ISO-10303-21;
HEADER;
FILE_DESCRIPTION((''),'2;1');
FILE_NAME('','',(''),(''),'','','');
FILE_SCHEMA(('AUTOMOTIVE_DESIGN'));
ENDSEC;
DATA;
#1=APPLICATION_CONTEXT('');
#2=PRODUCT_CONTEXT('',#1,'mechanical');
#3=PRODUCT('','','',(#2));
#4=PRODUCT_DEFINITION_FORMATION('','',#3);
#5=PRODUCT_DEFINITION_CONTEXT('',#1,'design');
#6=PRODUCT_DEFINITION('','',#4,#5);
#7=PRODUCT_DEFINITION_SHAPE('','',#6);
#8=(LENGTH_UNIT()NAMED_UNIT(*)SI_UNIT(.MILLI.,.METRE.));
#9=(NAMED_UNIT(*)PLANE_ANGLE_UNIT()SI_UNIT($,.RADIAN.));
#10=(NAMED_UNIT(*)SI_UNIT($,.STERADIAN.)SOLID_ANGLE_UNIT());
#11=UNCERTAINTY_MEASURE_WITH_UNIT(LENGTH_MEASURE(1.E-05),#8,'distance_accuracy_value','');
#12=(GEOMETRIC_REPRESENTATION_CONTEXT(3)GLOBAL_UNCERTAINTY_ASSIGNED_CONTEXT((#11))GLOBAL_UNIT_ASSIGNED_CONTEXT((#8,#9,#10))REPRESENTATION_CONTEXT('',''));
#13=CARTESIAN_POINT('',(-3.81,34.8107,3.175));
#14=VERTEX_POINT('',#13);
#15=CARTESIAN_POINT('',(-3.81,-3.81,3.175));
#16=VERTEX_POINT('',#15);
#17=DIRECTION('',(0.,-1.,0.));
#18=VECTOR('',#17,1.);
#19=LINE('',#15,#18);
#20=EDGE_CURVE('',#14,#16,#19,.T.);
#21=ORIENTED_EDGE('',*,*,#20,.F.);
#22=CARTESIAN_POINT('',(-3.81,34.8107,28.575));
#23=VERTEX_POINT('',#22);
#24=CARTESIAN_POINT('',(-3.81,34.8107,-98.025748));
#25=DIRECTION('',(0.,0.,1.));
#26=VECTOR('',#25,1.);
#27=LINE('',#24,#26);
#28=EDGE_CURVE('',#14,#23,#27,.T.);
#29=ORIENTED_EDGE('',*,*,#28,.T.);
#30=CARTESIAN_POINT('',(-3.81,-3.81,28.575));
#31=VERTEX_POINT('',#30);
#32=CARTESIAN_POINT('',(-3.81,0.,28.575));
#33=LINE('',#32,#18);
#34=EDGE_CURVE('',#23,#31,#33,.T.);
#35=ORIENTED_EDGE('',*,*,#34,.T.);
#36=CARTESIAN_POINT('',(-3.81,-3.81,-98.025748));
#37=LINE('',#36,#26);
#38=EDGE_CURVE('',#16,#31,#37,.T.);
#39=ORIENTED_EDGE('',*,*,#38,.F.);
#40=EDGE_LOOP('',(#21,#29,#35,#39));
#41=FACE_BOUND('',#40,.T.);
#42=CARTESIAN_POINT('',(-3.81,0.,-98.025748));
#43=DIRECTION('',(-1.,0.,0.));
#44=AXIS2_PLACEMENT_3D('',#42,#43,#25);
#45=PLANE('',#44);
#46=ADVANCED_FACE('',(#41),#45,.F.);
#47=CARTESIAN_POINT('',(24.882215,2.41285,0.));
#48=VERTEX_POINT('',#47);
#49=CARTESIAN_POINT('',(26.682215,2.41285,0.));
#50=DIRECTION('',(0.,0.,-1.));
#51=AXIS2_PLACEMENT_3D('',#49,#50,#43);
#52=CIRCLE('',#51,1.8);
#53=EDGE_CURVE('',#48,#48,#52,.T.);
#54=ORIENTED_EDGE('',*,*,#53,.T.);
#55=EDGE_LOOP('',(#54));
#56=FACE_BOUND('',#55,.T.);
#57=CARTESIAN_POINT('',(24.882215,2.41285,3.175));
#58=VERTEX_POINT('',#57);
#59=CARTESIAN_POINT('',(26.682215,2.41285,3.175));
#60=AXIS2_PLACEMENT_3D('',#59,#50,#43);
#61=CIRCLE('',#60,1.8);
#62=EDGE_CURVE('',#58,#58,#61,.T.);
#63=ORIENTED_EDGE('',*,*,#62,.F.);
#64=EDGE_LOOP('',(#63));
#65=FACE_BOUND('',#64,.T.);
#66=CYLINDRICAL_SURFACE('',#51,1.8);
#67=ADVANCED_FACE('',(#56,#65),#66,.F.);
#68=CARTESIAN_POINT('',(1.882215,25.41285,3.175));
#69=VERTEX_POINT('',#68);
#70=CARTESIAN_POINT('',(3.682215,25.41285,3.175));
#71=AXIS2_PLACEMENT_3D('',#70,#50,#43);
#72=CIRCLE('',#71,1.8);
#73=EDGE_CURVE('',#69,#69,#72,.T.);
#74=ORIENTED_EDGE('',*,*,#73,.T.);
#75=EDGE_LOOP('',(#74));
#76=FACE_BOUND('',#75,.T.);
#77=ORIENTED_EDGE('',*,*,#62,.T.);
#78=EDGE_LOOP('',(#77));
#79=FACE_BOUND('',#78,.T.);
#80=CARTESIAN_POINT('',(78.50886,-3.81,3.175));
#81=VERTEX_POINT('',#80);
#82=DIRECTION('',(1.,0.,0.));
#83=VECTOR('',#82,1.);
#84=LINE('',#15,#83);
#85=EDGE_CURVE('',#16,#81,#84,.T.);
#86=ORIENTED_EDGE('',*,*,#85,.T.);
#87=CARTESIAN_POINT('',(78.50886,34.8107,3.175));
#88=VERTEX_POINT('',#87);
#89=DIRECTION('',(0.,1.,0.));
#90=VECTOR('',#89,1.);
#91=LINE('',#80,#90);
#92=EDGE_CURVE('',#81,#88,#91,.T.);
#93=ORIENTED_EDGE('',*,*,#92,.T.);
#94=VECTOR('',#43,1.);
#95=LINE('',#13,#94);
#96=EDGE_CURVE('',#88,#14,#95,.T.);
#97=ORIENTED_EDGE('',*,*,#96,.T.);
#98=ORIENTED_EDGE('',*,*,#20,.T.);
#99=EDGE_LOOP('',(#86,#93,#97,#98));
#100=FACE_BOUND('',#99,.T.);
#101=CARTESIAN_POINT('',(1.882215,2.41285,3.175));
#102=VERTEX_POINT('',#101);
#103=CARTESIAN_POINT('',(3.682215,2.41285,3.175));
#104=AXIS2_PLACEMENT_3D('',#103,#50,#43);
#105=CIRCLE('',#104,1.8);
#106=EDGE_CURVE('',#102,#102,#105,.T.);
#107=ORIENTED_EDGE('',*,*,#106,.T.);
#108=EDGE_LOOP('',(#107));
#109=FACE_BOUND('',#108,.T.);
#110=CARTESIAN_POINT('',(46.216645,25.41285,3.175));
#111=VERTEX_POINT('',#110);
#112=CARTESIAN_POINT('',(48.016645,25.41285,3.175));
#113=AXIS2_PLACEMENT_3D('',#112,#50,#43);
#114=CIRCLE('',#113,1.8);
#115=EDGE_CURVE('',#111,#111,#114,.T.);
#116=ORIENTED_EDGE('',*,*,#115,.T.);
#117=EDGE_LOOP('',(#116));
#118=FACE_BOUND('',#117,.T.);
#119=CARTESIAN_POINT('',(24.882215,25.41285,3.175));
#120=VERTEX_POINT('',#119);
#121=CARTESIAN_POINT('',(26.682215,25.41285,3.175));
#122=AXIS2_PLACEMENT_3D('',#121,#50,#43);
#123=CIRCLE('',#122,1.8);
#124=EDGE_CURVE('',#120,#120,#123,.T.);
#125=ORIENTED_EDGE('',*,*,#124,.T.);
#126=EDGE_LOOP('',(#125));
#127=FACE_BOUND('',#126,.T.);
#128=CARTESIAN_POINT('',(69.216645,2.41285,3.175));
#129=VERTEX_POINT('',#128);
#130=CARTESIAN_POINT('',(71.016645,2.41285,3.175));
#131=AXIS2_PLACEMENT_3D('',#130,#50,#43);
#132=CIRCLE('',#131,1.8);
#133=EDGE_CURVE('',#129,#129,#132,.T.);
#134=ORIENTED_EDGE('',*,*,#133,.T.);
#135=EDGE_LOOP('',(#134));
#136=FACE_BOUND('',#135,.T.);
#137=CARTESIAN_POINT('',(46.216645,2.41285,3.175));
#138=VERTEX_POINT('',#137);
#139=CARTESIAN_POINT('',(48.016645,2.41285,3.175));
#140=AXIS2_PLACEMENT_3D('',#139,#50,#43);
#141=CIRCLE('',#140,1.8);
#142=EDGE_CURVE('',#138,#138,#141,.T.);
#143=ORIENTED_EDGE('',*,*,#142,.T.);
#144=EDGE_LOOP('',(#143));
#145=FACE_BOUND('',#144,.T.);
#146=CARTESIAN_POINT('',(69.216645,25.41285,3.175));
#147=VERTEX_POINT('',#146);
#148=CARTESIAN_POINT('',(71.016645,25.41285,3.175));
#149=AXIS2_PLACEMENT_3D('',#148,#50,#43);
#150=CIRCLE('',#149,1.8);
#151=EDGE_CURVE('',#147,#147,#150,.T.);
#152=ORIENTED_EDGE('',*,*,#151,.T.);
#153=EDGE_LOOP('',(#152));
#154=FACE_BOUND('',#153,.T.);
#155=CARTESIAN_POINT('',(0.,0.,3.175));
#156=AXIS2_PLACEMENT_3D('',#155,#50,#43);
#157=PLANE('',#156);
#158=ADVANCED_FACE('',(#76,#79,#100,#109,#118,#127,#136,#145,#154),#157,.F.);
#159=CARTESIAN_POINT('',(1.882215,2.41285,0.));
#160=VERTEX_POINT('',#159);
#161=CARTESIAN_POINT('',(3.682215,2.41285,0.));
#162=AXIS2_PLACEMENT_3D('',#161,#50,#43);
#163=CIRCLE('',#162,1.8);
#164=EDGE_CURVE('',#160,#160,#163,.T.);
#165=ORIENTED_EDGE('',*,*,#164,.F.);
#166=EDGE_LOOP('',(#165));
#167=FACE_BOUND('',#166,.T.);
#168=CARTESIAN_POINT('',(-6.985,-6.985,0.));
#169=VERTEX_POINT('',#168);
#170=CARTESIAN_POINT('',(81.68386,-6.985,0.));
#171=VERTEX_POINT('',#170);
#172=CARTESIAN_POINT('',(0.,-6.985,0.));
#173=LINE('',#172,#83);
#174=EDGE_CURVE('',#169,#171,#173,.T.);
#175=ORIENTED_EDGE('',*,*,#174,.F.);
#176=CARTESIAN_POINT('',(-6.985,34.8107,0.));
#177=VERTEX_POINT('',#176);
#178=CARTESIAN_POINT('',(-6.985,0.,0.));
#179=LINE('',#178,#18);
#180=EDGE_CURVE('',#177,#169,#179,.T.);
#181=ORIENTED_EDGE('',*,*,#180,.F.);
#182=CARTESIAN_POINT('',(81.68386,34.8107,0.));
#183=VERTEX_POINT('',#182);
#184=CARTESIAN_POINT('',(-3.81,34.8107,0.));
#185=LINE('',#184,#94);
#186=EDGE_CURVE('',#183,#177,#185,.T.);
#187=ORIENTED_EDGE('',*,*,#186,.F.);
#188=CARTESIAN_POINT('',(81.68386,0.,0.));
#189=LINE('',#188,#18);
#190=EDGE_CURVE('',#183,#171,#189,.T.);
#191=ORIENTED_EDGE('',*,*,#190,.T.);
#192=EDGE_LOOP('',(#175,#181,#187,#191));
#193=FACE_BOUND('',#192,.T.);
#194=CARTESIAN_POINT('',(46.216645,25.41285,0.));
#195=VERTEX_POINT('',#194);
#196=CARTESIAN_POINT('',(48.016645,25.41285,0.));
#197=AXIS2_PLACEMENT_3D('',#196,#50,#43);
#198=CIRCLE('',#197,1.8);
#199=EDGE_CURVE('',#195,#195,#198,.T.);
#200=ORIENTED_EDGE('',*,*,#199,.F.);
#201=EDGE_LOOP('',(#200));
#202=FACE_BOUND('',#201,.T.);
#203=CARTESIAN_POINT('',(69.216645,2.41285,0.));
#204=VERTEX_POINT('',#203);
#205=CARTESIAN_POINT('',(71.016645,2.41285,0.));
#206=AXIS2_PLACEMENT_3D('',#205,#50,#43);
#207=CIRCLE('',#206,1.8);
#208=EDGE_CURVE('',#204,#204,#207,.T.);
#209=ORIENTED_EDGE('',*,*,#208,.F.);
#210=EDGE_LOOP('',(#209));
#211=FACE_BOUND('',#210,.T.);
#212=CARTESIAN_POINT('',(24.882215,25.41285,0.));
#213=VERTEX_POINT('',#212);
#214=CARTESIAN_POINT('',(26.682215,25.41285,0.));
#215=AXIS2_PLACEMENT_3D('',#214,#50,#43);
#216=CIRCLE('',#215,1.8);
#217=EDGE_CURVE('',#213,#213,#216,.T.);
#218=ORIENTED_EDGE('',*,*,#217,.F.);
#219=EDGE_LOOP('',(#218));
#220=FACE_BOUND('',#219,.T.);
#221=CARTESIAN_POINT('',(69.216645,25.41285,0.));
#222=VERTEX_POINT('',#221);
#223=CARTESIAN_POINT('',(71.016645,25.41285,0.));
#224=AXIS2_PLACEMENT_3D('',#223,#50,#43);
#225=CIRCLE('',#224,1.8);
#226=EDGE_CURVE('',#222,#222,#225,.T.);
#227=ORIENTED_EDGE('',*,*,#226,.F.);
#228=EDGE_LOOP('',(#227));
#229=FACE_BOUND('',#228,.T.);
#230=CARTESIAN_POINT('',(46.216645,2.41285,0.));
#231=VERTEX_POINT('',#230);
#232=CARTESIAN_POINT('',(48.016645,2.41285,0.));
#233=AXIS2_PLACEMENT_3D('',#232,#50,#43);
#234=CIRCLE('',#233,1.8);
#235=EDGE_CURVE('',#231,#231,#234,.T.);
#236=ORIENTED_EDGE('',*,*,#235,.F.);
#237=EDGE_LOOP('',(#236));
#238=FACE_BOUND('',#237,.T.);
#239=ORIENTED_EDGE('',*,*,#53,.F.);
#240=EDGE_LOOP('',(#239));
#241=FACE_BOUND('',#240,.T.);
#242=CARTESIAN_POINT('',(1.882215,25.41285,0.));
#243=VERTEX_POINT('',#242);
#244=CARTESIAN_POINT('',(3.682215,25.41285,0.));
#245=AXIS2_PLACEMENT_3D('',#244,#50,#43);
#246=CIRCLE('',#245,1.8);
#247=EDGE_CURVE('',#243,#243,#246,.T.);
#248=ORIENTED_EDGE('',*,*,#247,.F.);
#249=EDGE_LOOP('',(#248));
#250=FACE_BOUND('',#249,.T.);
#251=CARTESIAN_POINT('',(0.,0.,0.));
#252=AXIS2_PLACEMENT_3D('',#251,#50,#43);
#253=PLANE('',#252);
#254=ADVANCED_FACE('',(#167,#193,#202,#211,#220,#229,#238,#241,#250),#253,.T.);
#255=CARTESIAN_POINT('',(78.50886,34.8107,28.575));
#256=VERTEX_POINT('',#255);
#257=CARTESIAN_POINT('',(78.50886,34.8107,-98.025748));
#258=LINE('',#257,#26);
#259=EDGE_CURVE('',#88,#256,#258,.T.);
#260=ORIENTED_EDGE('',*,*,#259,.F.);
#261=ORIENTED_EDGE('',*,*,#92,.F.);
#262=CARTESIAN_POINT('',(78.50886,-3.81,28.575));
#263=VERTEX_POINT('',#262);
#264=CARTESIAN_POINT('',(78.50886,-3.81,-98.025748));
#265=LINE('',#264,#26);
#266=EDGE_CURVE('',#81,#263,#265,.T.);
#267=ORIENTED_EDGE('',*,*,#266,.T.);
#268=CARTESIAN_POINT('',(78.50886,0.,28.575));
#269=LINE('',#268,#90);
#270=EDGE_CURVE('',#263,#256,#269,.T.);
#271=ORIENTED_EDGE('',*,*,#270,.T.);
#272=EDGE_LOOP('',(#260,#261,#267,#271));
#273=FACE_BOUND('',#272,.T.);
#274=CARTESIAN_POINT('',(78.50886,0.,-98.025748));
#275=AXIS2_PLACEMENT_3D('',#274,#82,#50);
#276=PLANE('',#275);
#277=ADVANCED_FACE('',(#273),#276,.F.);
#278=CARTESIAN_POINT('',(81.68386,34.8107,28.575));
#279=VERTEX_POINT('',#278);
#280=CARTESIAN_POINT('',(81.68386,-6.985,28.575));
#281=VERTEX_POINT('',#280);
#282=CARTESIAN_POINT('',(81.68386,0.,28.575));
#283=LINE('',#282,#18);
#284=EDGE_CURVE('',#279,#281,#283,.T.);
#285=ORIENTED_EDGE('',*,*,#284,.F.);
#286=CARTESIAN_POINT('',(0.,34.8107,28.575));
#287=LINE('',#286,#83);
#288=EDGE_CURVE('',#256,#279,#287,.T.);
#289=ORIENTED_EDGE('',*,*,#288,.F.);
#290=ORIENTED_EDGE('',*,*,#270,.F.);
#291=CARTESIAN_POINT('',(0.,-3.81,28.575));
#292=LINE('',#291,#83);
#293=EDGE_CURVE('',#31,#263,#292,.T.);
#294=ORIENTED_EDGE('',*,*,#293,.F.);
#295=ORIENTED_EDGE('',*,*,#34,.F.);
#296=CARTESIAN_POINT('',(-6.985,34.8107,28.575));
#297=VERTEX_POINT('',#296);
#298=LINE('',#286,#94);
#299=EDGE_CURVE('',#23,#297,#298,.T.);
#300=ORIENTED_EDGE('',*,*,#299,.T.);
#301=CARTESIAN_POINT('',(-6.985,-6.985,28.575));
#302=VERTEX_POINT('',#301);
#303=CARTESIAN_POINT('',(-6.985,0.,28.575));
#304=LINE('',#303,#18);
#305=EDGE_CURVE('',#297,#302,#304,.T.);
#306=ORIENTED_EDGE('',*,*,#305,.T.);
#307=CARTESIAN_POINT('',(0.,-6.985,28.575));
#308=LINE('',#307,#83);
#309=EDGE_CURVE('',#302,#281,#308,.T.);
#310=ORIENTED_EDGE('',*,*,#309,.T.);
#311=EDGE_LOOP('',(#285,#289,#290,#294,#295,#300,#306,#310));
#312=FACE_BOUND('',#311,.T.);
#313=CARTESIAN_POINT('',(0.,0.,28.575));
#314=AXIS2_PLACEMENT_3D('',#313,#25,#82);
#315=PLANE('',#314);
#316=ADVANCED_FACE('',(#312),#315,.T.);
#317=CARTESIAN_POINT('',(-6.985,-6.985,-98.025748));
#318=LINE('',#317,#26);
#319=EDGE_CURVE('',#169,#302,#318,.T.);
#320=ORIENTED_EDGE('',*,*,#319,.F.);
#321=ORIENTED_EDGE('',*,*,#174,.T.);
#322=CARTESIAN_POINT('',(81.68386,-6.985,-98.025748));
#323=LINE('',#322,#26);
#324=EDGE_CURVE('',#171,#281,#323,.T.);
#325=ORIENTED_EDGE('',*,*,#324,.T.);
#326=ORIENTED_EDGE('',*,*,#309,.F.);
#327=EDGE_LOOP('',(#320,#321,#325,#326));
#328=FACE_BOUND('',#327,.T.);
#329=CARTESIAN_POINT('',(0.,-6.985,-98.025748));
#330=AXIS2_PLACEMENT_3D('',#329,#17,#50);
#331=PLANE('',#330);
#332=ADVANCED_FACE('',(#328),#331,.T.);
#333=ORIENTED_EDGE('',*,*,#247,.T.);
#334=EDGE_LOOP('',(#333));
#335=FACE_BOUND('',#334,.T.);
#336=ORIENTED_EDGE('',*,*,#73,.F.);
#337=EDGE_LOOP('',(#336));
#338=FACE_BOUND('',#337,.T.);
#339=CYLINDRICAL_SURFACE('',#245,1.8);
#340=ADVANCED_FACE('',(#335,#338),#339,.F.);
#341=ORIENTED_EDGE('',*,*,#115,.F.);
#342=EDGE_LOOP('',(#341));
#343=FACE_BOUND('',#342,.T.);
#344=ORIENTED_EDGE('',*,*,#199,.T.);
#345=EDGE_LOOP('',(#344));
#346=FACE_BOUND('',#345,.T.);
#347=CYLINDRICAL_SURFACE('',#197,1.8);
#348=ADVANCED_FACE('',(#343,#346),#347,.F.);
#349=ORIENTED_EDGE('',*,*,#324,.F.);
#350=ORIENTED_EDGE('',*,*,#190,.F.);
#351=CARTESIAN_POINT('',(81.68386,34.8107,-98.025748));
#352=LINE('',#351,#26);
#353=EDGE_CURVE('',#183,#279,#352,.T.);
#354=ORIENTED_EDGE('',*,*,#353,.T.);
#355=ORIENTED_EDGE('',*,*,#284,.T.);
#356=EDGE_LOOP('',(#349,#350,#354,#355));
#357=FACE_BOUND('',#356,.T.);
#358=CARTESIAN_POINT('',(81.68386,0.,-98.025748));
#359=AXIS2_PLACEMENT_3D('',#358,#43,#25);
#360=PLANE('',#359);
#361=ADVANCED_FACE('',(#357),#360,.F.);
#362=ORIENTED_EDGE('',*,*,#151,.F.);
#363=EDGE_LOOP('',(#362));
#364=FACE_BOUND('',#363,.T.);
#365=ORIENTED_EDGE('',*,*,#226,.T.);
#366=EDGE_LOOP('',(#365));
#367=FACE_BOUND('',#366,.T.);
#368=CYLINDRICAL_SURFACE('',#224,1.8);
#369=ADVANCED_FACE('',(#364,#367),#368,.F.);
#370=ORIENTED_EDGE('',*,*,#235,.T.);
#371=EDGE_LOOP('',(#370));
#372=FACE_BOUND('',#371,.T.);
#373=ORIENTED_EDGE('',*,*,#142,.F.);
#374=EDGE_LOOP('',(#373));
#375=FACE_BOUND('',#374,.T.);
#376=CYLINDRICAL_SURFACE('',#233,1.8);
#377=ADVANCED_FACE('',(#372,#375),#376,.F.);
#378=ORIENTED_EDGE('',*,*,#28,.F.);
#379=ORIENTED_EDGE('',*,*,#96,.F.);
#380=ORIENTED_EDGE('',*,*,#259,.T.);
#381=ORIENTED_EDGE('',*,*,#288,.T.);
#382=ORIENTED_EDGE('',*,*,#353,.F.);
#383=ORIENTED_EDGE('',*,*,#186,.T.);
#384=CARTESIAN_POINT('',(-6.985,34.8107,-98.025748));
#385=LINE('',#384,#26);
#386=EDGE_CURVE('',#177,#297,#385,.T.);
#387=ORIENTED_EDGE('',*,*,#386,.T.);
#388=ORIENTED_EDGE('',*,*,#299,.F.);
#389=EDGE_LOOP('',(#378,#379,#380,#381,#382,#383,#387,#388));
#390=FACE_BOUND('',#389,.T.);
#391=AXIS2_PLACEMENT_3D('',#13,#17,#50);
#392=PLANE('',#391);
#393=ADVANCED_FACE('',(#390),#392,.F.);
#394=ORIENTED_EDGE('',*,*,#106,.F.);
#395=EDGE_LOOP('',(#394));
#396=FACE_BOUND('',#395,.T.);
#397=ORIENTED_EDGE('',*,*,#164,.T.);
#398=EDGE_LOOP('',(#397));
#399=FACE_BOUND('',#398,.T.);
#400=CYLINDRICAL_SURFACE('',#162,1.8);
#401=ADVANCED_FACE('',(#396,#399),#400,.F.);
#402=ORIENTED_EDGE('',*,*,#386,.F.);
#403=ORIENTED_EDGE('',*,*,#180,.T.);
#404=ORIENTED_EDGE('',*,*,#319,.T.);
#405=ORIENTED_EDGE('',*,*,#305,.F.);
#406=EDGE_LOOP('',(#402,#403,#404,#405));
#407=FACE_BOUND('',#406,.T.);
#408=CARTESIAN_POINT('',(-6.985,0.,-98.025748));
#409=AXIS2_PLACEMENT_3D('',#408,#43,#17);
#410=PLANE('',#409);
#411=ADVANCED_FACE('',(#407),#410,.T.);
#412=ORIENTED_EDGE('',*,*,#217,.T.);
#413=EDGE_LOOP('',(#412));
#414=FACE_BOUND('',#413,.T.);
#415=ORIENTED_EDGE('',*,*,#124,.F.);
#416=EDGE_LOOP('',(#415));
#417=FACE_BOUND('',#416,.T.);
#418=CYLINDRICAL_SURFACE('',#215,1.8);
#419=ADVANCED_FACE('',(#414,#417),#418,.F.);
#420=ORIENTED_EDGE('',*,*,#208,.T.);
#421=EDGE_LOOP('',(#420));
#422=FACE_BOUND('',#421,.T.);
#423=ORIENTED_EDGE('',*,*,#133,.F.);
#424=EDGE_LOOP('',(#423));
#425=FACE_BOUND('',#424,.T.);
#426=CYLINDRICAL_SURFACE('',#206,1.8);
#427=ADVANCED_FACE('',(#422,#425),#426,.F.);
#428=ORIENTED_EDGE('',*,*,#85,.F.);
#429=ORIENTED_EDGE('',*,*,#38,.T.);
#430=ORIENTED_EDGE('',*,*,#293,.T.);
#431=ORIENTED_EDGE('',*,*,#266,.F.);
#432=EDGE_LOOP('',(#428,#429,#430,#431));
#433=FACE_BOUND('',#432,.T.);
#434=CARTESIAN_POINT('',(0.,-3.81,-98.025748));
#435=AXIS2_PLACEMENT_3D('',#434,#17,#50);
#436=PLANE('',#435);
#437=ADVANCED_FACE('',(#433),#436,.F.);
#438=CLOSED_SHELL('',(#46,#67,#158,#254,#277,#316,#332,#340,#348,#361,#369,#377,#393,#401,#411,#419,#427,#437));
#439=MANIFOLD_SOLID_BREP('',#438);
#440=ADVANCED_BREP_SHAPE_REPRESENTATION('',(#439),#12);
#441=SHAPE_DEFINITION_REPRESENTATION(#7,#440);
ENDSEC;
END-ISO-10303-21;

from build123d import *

# Parameters (mm, degrees)
SKETCH2_W                = 82.31886
SKETCH2_H                = 38.6207
BOSS_EXTRUDE1_DEPTH      = 3.175
BOSS_EXTRUDE2_DEPTH      = 25.4
BOSS_EXTRUDE2_DEPTH_BACK = 3.175
SKETCH3_W                = 3.175
SKETCH3_H                = 38.6207
SKETCH4_R                = 0.561869351
SKETCH4_R_2              = 0.521667109
SKETCH4_R_3              = 0.606918095
SKETCH4_R_4              = 0.92346357
CUT_EXTRUDE1_DEPTH       = 94.276837661
M3_CLEARANCE_HOLE1_D     = 3.6


with BuildPart() as part:
    # Sketch2 → Boss-Extrude1 (new body)
    with BuildSketch(Plane.XY):
        with Locations((37.34943, 15.50035)):
            Rectangle(SKETCH2_W, SKETCH2_H)
    extrude(amount=BOSS_EXTRUDE1_DEPTH)

    # Sketch3 → Boss-Extrude2 (add, two sides: drawn at the far end of the back side and taken through both)
    with BuildSketch(Plane.XY.offset(3.175).offset(-BOSS_EXTRUDE2_DEPTH_BACK)):
        with Locations((-5.3975, 15.50035)):
            Rectangle(SKETCH3_W, SKETCH3_H)
        with Locations((80.09636, 15.50035)):
            Rectangle(SKETCH3_W, SKETCH3_H)
        Polygon((78.50886, -3.81), (-3.81, -3.81), (-6.985, -3.81), (-6.985, -6.985), (81.68386, -6.985), (81.68386, -3.81), align=None)
    extrude(amount=BOSS_EXTRUDE2_DEPTH + BOSS_EXTRUDE2_DEPTH_BACK)

    # Sketch4 → Cut-Extrude1 (cut, through all)
    with BuildSketch(Plane(origin=(0, 0, 0), x_dir=(-1, 0, 0), z_dir=(0, 0, -1))):
        with Locations((-26.682215, 25.41285)):
            Circle(SKETCH4_R)
        with Locations((-3.682215, 25.41285)):
            Circle(SKETCH4_R_2)
        with Locations((-26.682215, 2.41285)):
            Circle(SKETCH4_R_3)
        with Locations((-3.682215, 2.41285)):
            Circle(SKETCH4_R_4)
        with Locations((-48.016645, 2.41285)):
            Circle(SKETCH4_R_3)
        with Locations((-71.016645, 2.41285)):
            Circle(SKETCH4_R_4)
        with Locations((-71.016645, 25.41285)):
            Circle(SKETCH4_R_2)
        with Locations((-48.016645, 25.41285)):
            Circle(SKETCH4_R)
    extrude(amount=-CUT_EXTRUDE1_DEPTH, mode=Mode.SUBTRACT)

    # M3 Clearance Hole1 (through all)
    with Locations(Plane(origin=(0, 0, 0), x_dir=(-1, 0, 0), z_dir=(0, 0, -1))):
        with Locations((-71.016645, 25.41285), (-71.016645, 2.41285), (-3.682215, 2.41285), (-26.682215, 2.41285), (-48.016645, 2.41285), (-48.016645, 25.41285), (-26.682215, 25.41285), (-3.682215, 25.41285)):
            Hole(M3_CLEARANCE_HOLE1_D / 2)


solid = part.part
